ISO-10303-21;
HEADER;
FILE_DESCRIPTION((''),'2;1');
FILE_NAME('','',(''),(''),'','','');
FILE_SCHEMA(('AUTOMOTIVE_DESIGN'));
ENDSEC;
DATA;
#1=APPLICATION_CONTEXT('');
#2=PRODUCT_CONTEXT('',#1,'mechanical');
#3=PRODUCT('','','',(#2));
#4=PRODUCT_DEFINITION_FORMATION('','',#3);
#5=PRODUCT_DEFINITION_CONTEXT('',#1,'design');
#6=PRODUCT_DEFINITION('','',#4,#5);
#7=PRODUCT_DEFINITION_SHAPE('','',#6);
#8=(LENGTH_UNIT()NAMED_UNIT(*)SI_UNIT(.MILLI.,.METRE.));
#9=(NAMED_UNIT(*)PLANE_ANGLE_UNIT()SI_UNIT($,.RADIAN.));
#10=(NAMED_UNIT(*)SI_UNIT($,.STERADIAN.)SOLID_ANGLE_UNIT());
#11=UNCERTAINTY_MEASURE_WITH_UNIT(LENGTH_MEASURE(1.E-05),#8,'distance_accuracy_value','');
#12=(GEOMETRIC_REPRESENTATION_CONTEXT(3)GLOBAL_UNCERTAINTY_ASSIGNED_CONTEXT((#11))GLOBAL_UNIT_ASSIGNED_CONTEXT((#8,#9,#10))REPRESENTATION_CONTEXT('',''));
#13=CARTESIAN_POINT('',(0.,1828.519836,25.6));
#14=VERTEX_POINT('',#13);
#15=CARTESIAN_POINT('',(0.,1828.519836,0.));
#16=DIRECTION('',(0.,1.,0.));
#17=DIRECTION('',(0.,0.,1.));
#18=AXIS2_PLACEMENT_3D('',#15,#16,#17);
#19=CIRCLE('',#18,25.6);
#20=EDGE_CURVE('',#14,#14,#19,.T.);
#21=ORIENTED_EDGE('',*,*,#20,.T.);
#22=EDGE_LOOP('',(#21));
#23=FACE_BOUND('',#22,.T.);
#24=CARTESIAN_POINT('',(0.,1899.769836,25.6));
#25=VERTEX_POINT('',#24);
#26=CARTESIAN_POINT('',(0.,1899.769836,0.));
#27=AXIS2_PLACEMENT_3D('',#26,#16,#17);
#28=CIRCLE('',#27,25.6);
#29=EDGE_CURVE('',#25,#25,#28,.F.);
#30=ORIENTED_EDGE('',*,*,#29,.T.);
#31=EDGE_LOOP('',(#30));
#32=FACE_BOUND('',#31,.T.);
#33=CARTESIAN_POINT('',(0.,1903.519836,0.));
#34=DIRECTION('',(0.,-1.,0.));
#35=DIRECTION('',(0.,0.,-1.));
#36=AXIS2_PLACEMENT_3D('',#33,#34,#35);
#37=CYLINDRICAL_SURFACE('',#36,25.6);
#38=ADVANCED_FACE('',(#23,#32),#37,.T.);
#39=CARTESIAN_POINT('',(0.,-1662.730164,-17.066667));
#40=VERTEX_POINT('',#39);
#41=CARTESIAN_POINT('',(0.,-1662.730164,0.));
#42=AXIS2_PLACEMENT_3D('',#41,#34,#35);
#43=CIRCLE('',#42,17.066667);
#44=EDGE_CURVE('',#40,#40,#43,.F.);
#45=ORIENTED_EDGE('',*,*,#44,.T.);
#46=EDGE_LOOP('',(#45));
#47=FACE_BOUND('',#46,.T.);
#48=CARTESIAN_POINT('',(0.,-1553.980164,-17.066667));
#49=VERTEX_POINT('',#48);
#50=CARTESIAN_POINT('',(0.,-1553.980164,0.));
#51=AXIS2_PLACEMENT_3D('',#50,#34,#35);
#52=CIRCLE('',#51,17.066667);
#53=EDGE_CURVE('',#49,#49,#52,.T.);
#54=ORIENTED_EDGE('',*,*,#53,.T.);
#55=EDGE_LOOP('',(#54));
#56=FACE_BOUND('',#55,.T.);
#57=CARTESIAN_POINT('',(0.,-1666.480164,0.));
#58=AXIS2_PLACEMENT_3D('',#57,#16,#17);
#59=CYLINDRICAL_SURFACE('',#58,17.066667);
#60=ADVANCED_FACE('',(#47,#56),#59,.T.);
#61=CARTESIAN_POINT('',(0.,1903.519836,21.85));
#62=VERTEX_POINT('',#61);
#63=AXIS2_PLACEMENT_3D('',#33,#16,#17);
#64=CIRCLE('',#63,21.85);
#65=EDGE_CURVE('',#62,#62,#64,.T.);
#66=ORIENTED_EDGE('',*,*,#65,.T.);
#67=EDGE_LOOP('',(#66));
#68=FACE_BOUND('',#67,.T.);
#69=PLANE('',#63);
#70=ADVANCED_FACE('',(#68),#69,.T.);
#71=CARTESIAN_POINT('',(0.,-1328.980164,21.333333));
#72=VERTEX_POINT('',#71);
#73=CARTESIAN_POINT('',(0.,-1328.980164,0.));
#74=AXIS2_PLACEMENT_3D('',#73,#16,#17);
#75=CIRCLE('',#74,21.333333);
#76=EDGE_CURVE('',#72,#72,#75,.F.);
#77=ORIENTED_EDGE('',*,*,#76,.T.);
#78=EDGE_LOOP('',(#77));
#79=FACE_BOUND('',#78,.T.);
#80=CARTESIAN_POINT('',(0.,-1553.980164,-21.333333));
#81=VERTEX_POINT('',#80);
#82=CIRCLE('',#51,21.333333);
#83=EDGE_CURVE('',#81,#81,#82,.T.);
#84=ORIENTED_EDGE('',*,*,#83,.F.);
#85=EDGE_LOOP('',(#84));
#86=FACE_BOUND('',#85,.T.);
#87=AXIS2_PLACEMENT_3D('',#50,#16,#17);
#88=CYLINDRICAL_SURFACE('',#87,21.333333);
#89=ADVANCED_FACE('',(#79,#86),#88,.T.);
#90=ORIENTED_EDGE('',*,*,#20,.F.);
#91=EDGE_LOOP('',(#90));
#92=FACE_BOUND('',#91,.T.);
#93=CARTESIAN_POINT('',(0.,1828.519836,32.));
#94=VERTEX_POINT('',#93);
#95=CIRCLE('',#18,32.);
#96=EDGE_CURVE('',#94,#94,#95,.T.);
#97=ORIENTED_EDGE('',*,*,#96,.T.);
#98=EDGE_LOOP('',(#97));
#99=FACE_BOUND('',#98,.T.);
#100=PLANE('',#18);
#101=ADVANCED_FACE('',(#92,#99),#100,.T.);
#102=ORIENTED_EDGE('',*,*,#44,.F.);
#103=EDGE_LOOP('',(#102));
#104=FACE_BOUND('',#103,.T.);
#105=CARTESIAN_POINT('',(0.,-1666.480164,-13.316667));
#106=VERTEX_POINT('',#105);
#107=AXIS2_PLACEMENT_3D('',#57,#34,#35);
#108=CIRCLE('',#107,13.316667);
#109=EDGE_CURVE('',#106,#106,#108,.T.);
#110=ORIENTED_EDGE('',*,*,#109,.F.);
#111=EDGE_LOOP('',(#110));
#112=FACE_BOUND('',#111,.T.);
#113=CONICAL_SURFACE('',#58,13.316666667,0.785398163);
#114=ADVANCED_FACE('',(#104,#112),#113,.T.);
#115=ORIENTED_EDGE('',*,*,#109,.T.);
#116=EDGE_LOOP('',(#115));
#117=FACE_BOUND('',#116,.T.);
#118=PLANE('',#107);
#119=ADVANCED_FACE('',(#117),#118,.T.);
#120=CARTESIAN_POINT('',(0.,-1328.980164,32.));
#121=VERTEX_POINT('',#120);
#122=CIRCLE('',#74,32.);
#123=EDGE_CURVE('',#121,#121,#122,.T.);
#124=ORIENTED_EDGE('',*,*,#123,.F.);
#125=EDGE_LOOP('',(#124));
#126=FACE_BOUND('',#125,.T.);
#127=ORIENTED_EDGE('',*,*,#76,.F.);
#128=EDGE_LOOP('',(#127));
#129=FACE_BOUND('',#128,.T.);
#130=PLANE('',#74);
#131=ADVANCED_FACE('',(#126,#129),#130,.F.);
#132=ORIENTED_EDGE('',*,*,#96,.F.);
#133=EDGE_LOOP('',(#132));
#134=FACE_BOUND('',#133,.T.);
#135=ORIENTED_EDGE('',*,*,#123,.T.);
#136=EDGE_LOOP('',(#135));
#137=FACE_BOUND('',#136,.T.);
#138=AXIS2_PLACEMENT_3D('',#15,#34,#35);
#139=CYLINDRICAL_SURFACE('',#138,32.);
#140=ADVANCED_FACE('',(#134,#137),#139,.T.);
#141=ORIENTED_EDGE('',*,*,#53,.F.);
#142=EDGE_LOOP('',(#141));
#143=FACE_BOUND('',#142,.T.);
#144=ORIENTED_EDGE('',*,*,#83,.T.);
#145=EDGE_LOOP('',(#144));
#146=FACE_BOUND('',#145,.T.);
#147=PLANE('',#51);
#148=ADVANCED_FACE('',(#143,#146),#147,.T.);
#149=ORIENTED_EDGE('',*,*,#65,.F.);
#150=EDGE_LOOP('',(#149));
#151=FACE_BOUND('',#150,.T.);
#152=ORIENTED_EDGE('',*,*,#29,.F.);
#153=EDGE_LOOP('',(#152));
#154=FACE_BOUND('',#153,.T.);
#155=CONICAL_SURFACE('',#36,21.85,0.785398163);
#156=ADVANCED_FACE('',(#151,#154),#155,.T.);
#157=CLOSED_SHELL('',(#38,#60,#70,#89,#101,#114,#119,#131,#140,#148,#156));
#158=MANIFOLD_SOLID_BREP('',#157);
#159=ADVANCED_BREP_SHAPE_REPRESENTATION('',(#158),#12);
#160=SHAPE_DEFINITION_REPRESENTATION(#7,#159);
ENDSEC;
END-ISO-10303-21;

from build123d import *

# Parameters (mm, degrees)
SKETCH4_R           = 4.266666667
BOSS_EXTRUDE1_DEPTH = 421
SKETCH5_R           = 3.413333333
BOSS_EXTRUDE2_DEPTH = 10
CHAMFER1_SIZE       = 0.5
SKETCH6_R           = 2.844444444
BOSS_EXTRUDE3_DEPTH = 30
SKETCH7_R           = 2.275555556
BOSS_EXTRUDE4_DEPTH = 15
CHAMFER2_SIZE       = 0.5
SCALE1_SCALE        = 7.5


with BuildPart() as part:
    # Sketch4 → Boss-Extrude1 (new body)
    with BuildSketch(Plane(origin=(0, 0, 0), x_dir=(1, 0, 0), z_dir=(0, 1, 0))):
        Circle(SKETCH4_R)
    extrude(amount=BOSS_EXTRUDE1_DEPTH)

    # Sketch5 → Boss-Extrude2 (add)
    with BuildSketch(Plane(origin=(0, 421, 0), x_dir=(1, 0, 0), z_dir=(0, 1, 0))):
        Circle(SKETCH5_R)
    extrude(amount=BOSS_EXTRUDE2_DEPTH)

    # Chamfer1
    chamfer1_edges = [part.edges().sort_by_distance(p)[0] for p in [
        (-3.413333333, 431, 0),
    ]]
    chamfer(chamfer1_edges, length=CHAMFER1_SIZE)

    # Sketch6 → Boss-Extrude3 (add)
    with BuildSketch(Plane.XZ):
        Circle(SKETCH6_R)
    extrude(amount=BOSS_EXTRUDE3_DEPTH)

    # Sketch7 → Boss-Extrude4 (add)
    with BuildSketch(Plane.XZ.offset(30)):
        Circle(SKETCH7_R)
    extrude(amount=BOSS_EXTRUDE4_DEPTH)

    # Chamfer2
    chamfer2_edges = [part.edges().sort_by_distance(p)[0] for p in [
        (-2.275555556, -45, 0),
    ]]
    chamfer(chamfer2_edges, length=CHAMFER2_SIZE)


with BuildPart() as part_1:
    # Scale1: scaled about (0, 204.458486732, 0)
    add(part.part.scale(SCALE1_SCALE).moved(Location((0, -1328.980163758, 0))))


solid = part_1.part
